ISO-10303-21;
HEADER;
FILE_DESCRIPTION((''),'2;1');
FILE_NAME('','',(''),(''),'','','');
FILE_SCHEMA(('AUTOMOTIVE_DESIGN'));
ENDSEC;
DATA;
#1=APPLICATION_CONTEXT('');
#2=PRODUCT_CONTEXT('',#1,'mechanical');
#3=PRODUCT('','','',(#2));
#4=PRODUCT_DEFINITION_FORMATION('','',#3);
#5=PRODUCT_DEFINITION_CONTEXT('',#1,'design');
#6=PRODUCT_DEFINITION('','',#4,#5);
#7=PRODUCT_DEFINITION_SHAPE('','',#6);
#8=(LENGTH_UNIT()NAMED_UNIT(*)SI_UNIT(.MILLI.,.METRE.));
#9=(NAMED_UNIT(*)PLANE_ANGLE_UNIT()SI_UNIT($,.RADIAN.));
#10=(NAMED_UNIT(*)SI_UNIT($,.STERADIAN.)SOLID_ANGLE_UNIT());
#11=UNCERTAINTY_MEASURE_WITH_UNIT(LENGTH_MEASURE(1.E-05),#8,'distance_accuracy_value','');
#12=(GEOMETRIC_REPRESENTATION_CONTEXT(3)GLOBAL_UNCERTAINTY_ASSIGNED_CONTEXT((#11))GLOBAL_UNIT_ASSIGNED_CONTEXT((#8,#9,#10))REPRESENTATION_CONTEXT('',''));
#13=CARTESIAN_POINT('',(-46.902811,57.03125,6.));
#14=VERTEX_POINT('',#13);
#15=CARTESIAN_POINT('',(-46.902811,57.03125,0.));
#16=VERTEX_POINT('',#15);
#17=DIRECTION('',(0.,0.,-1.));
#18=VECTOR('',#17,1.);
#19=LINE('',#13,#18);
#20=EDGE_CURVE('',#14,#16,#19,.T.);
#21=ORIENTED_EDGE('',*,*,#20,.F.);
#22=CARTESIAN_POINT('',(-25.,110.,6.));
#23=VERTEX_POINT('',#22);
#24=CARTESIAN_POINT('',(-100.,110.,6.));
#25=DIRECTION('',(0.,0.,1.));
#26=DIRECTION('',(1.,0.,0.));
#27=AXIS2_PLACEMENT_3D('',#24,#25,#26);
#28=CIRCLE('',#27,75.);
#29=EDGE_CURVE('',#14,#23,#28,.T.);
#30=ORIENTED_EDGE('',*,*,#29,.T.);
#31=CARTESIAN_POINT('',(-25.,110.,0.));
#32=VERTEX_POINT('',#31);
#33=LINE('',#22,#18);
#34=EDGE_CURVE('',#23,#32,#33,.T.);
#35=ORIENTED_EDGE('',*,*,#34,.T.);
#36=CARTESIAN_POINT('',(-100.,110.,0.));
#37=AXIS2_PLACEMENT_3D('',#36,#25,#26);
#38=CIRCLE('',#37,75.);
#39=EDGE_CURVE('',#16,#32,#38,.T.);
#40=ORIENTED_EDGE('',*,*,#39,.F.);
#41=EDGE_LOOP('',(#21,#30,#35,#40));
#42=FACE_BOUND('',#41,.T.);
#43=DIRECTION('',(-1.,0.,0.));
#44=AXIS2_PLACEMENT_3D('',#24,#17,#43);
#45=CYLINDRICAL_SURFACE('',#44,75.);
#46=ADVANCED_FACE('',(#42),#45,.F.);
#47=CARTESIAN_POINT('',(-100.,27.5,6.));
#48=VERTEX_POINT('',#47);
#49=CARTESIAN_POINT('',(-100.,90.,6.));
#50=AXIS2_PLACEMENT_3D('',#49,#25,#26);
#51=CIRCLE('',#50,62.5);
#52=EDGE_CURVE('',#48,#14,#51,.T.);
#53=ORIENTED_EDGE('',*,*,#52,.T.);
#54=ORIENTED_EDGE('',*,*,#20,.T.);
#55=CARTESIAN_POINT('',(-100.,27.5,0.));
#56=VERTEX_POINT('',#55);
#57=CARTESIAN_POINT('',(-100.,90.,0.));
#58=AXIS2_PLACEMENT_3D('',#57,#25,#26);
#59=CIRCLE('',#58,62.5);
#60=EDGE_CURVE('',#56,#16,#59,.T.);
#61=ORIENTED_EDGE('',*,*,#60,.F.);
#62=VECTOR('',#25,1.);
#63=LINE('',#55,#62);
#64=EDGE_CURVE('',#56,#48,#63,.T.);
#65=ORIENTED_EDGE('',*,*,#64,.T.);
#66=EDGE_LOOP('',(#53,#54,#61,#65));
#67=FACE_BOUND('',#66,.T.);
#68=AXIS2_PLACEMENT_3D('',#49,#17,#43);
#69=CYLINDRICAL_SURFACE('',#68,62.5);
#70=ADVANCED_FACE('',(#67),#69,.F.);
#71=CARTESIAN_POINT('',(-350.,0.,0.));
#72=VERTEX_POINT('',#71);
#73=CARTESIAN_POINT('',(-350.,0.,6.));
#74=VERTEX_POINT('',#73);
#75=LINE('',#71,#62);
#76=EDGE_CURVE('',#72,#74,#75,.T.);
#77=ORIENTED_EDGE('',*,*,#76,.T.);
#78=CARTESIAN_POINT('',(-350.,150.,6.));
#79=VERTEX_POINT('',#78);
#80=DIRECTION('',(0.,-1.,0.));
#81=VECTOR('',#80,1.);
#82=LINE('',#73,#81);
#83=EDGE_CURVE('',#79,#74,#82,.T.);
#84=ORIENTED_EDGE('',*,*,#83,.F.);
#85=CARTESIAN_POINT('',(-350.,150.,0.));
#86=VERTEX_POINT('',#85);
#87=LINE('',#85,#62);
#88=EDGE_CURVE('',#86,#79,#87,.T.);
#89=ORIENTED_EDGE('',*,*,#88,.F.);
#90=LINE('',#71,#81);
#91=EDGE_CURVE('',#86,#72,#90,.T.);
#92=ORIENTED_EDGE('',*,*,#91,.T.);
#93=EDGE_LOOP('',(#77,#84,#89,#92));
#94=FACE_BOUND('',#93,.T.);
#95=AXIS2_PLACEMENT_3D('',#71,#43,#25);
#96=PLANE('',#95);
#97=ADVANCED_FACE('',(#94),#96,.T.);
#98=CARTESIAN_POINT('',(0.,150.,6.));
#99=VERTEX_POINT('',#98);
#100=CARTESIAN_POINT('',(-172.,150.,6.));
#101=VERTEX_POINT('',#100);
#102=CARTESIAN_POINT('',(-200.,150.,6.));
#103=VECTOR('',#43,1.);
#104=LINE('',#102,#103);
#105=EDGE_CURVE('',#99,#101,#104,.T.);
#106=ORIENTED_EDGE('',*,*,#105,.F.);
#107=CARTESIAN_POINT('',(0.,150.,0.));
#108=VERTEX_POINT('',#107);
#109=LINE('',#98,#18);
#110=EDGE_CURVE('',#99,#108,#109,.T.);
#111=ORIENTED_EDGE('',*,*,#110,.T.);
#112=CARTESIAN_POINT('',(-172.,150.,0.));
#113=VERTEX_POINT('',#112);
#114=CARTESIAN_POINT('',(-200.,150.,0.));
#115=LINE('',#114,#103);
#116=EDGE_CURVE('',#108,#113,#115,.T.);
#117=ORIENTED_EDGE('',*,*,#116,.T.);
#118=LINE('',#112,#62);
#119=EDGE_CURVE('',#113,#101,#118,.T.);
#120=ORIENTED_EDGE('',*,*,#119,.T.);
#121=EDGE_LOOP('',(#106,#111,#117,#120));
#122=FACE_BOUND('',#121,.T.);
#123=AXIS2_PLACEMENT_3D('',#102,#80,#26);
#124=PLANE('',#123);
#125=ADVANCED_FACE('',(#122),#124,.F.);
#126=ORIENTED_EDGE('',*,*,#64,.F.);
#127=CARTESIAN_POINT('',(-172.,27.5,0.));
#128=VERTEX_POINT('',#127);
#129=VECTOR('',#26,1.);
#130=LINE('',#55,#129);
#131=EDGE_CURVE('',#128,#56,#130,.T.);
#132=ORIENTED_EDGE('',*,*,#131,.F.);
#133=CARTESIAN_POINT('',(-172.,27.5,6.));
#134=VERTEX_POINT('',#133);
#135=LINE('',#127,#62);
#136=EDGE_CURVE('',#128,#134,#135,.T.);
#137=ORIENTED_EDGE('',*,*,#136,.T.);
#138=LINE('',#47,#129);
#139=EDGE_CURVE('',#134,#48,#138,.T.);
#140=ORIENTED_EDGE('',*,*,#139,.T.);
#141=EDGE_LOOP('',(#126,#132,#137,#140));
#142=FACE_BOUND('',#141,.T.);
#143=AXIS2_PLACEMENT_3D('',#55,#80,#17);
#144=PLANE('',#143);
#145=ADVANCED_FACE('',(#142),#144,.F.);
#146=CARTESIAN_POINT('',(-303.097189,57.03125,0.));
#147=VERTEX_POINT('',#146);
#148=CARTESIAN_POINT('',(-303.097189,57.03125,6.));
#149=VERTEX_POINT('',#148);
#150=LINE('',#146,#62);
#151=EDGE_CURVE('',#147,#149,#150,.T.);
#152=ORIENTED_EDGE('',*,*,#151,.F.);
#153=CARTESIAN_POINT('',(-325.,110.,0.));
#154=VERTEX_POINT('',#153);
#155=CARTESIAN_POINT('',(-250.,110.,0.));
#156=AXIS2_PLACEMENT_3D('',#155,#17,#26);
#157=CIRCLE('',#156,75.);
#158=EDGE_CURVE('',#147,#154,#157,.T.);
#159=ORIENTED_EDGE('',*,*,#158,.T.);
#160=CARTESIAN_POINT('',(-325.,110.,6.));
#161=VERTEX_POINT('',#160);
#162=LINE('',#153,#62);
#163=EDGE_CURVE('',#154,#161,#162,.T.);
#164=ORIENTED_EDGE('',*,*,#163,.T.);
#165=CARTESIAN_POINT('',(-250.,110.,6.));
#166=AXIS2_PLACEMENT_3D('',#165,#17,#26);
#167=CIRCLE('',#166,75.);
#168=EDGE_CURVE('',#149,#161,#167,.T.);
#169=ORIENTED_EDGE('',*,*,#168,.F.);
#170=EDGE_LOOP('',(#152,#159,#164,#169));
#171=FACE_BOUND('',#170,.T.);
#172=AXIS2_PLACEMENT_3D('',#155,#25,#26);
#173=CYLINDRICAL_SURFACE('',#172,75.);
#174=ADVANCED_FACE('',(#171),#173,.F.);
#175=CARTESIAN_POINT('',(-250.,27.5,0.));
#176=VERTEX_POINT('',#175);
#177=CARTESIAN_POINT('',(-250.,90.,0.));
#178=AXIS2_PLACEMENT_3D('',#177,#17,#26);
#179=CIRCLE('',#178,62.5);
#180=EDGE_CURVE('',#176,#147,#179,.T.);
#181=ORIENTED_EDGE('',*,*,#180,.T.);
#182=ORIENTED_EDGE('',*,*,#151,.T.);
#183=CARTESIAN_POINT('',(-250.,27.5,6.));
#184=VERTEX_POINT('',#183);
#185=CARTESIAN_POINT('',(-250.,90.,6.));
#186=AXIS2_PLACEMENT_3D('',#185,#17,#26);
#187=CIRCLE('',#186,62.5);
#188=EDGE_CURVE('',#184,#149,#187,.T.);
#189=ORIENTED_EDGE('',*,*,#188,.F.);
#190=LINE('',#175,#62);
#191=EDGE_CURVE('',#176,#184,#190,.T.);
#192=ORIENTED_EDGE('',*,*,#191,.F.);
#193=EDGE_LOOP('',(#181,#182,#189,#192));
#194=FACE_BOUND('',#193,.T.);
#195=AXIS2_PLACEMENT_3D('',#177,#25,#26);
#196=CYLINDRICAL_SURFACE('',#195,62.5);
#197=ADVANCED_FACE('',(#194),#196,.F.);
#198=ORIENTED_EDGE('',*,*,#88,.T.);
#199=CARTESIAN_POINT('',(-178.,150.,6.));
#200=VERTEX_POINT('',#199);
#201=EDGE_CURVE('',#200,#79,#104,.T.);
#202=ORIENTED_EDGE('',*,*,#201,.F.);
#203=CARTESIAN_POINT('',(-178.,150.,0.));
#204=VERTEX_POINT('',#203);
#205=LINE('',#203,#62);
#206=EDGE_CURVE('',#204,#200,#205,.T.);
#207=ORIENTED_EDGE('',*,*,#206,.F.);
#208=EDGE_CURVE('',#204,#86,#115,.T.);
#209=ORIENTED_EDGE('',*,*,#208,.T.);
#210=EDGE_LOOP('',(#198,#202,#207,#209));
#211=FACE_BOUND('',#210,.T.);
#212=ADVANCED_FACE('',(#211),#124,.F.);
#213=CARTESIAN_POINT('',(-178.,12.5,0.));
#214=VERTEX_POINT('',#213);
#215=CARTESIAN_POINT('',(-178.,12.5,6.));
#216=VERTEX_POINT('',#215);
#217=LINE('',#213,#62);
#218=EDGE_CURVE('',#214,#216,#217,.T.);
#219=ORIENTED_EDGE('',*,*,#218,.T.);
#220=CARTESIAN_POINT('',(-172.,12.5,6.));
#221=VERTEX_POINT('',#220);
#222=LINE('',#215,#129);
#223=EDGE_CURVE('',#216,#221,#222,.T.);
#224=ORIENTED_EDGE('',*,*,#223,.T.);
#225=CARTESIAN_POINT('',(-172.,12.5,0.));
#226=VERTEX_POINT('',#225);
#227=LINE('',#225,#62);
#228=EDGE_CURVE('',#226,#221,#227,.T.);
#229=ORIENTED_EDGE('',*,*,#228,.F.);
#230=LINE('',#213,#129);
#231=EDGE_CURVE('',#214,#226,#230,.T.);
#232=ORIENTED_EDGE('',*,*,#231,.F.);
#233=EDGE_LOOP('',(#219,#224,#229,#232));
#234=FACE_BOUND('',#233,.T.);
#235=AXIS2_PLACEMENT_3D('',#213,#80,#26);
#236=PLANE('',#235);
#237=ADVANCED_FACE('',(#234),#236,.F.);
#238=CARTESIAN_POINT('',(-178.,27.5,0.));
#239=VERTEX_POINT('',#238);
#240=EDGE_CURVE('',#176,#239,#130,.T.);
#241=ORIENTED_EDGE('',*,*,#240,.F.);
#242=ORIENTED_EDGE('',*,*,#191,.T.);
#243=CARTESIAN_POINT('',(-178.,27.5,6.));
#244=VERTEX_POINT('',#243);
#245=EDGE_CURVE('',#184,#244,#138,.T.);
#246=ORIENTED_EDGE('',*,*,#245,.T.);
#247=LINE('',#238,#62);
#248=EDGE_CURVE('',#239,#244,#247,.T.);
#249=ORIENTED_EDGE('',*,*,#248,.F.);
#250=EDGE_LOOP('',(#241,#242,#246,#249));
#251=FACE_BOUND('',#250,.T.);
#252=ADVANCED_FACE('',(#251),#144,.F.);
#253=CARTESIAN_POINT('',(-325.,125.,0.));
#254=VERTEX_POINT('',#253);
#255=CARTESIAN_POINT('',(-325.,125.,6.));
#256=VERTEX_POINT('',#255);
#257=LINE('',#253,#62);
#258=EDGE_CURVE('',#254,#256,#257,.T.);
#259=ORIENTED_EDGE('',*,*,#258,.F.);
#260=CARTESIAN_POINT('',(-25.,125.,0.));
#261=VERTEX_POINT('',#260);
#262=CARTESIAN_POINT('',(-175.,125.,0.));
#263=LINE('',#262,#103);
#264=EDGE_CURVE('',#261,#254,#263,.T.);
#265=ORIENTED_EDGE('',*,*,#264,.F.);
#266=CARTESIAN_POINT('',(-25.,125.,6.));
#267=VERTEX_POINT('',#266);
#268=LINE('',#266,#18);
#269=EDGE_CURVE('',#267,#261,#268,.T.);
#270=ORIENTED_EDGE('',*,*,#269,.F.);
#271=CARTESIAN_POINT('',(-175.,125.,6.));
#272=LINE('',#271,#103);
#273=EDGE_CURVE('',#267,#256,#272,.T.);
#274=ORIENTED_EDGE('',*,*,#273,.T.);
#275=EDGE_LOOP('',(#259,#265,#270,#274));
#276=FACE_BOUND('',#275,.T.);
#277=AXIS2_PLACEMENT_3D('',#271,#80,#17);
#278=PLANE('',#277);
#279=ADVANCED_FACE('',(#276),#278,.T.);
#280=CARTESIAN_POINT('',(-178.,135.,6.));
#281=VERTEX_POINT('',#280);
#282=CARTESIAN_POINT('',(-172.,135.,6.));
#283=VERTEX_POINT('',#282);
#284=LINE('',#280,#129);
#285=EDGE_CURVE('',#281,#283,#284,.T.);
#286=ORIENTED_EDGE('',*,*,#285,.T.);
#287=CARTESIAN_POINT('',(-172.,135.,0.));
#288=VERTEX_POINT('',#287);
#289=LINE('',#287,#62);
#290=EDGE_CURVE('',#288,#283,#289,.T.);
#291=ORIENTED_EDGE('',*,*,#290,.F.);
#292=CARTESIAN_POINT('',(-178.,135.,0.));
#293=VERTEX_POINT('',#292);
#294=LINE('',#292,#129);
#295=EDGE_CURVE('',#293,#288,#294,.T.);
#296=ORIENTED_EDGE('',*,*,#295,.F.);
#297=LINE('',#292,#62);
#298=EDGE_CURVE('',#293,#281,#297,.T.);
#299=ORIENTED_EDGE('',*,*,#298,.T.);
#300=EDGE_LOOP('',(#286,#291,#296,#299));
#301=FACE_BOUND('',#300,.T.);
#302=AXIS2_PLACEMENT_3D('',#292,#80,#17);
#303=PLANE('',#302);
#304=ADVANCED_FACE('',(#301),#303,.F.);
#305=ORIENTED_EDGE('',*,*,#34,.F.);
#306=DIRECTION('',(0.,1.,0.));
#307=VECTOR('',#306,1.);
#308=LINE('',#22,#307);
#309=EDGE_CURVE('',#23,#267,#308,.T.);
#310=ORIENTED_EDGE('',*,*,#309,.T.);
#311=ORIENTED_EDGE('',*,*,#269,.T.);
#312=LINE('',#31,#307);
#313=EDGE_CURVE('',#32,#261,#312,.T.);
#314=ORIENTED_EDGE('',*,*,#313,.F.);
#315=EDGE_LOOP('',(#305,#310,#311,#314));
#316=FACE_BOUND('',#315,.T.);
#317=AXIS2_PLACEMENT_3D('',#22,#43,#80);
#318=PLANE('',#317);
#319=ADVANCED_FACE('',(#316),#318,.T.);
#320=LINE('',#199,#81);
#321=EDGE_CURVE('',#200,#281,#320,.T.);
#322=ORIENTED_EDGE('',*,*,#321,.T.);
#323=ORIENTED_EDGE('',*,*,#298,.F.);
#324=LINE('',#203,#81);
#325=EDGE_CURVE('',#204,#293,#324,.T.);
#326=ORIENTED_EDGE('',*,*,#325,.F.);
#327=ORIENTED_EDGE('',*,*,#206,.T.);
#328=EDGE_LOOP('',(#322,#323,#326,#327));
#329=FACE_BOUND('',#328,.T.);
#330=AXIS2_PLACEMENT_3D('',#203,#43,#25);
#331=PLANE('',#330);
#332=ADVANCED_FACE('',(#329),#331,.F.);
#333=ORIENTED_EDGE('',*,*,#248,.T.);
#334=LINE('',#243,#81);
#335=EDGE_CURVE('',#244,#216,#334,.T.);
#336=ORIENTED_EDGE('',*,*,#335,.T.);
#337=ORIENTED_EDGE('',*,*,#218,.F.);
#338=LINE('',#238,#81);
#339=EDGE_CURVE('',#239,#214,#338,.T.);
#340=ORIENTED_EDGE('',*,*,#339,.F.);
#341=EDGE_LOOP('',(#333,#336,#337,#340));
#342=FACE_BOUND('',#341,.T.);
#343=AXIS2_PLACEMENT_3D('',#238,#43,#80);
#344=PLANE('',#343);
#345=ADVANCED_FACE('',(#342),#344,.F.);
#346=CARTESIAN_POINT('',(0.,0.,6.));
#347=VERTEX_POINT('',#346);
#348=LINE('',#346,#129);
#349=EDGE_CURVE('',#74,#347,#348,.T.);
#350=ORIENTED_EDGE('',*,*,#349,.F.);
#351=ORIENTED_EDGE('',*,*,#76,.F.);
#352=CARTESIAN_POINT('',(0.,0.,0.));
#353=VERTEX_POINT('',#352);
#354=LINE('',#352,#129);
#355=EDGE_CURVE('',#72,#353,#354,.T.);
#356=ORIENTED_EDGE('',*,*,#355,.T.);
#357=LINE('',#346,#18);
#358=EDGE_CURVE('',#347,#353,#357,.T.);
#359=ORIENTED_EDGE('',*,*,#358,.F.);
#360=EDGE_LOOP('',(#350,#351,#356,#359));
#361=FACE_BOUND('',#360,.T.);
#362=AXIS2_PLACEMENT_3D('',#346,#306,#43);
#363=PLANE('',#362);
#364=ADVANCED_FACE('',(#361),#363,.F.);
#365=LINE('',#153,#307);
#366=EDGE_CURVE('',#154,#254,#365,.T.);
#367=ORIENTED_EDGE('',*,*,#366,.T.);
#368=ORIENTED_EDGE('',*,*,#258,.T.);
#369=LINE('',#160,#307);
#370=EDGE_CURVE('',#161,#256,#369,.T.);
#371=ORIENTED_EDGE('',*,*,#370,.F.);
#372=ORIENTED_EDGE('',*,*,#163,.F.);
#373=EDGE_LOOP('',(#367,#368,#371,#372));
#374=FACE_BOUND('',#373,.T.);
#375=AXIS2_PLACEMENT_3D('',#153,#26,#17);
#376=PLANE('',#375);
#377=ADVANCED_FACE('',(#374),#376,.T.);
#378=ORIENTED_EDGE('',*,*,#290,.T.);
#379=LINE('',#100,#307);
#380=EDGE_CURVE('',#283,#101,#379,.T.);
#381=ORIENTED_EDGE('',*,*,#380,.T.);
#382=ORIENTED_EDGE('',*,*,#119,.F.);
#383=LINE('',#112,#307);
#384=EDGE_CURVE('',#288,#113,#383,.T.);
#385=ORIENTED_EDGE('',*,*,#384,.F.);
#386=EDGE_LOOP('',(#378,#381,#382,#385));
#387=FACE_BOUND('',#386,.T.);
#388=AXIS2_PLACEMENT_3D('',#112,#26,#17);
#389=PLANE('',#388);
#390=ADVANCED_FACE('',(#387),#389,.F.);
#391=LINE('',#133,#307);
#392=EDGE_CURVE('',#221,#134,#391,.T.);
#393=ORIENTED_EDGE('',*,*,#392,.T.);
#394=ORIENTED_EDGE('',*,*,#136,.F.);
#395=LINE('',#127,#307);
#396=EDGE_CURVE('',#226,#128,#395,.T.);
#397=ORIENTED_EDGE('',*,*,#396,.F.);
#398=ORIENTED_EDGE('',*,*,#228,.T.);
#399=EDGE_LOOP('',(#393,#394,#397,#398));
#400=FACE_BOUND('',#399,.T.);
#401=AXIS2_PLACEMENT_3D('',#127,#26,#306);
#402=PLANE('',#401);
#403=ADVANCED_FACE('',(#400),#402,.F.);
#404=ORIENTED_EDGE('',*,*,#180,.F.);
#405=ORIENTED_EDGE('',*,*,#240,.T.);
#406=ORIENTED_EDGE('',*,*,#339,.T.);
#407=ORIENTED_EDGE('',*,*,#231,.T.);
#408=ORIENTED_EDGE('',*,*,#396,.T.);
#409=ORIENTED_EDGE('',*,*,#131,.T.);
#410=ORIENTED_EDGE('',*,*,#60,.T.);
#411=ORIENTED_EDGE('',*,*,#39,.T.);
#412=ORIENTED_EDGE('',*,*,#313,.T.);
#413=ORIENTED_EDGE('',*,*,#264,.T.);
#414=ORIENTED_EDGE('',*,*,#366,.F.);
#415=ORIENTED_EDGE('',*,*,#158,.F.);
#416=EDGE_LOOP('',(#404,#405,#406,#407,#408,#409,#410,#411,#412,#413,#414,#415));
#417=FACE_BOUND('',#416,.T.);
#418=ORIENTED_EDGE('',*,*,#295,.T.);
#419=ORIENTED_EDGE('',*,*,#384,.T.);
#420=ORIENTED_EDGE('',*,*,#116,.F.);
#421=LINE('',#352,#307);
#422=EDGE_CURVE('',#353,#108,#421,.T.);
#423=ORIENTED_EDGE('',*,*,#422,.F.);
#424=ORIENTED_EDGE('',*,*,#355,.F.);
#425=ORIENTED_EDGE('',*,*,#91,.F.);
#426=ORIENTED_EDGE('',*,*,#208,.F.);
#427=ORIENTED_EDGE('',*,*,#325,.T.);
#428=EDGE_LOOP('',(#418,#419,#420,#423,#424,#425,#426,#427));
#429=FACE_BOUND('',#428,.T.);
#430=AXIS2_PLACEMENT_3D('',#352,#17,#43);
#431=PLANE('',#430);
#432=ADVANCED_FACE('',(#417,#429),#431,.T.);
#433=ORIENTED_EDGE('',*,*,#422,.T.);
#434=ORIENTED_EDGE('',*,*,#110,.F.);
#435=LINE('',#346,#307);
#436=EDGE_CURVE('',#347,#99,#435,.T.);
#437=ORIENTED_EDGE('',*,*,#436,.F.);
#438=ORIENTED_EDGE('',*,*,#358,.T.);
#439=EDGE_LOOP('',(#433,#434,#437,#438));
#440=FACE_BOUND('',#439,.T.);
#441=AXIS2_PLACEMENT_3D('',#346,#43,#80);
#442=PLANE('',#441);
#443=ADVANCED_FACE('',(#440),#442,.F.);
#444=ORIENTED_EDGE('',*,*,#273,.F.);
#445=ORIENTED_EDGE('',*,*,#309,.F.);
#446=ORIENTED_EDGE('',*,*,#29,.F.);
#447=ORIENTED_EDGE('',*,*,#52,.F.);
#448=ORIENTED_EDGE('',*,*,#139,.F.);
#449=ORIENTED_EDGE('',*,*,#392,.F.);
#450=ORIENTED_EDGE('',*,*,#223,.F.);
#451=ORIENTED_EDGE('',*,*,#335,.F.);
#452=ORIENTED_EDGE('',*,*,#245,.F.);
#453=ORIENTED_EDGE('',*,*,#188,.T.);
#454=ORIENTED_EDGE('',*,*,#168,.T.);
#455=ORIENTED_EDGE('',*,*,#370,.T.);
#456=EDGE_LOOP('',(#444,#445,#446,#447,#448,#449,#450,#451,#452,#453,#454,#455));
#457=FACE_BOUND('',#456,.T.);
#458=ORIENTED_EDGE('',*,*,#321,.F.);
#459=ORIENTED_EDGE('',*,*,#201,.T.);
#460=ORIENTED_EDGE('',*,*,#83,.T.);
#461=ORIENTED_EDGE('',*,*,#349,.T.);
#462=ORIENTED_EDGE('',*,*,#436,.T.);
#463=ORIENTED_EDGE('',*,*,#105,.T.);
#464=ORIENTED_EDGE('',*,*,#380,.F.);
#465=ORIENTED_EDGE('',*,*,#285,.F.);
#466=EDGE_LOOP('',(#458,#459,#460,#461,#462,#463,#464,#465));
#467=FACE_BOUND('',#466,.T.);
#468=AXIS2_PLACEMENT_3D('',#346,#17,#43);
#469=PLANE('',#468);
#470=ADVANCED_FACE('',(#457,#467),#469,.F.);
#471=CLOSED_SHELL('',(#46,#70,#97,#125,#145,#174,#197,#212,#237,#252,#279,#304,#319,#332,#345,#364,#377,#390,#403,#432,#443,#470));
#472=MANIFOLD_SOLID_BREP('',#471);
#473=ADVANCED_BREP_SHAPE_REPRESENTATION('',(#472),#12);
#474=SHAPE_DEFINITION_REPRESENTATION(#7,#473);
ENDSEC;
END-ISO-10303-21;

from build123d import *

# Parameters (mm, degrees)
SKETCH1_W           = 200
SKETCH1_H           = 150
BOSS_EXTRUDE1_DEPTH = 6
SKETCH3_W           = 100
SKETCH3_H           = 97.5
CUT_EXTRUDE1_DEPTH  = 6
BOSS_EXTRUDE3_DEPTH = 6
SKETCH5_W           = 6
SKETCH5_H           = 15
CUT_EXTRUDE2_DEPTH  = 6


with BuildPart() as part:
    # Sketch1 → Boss-Extrude1 (new body)
    with BuildSketch(Plane.XY):
        with Locations((-100, 75)):
            Rectangle(SKETCH1_W, SKETCH1_H)
        with BuildLine():
            Line((-175, 110), (-175, 125))
            Line((-175, 125), (-25, 125))
            Line((-25, 125), (-25, 110))
            ThreePointArc((-25, 110), (-30.691670032, 81.340701386), (-46.902810588, 57.03125))
            ThreePointArc((-46.902810588, 57.03125), (-100, 27.5), (-153.097189412, 57.03125))
            ThreePointArc((-153.097189412, 57.03125), (-169.308329968, 81.340701386), (-175, 110))
        make_face(mode=Mode.SUBTRACT)
    extrude(amount=BOSS_EXTRUDE1_DEPTH)

    # Sketch3 → Cut-Extrude1 (cut)
    with BuildSketch(Plane.XY.offset(6)):
        with Locations((-150, 76.25)):
            Rectangle(SKETCH3_W, SKETCH3_H)
    extrude(amount=-CUT_EXTRUDE1_DEPTH, mode=Mode.SUBTRACT)

    # Sketch4 → Boss-Extrude3 (add)
    with BuildSketch(Plane.XY.offset(6)):
        with BuildLine():
            Line((-200, 27.5), (-250, 27.5))
            ThreePointArc((-250, 27.5), (-280.378472024, 35.379505335), (-303.097189412, 57.03125))
            ThreePointArc((-303.097189412, 57.03125), (-319.308329968, 81.340701386), (-325, 110))
            Line((-325, 110), (-325, 125))
            Line((-325, 125), (-200, 125))
            Line((-200, 125), (-200, 150))
            Line((-200, 150), (-350, 150))
            Line((-350, 150), (-350, 0))
            Line((-350, 0), (-200, 0))
            Line((-200, 0), (-200, 27.5))
        make_face()
    extrude(amount=-BOSS_EXTRUDE3_DEPTH)

    # Sketch5 → Cut-Extrude2 (cut)
    with BuildSketch(Plane.XY.offset(6)):
        with Locations((-175, 142.5)):
            Rectangle(SKETCH5_W, SKETCH5_H)
        with Locations((-175, 20)):
            Rectangle(SKETCH5_W, SKETCH5_H)
    extrude(amount=-CUT_EXTRUDE2_DEPTH, mode=Mode.SUBTRACT)


solid = part.part
